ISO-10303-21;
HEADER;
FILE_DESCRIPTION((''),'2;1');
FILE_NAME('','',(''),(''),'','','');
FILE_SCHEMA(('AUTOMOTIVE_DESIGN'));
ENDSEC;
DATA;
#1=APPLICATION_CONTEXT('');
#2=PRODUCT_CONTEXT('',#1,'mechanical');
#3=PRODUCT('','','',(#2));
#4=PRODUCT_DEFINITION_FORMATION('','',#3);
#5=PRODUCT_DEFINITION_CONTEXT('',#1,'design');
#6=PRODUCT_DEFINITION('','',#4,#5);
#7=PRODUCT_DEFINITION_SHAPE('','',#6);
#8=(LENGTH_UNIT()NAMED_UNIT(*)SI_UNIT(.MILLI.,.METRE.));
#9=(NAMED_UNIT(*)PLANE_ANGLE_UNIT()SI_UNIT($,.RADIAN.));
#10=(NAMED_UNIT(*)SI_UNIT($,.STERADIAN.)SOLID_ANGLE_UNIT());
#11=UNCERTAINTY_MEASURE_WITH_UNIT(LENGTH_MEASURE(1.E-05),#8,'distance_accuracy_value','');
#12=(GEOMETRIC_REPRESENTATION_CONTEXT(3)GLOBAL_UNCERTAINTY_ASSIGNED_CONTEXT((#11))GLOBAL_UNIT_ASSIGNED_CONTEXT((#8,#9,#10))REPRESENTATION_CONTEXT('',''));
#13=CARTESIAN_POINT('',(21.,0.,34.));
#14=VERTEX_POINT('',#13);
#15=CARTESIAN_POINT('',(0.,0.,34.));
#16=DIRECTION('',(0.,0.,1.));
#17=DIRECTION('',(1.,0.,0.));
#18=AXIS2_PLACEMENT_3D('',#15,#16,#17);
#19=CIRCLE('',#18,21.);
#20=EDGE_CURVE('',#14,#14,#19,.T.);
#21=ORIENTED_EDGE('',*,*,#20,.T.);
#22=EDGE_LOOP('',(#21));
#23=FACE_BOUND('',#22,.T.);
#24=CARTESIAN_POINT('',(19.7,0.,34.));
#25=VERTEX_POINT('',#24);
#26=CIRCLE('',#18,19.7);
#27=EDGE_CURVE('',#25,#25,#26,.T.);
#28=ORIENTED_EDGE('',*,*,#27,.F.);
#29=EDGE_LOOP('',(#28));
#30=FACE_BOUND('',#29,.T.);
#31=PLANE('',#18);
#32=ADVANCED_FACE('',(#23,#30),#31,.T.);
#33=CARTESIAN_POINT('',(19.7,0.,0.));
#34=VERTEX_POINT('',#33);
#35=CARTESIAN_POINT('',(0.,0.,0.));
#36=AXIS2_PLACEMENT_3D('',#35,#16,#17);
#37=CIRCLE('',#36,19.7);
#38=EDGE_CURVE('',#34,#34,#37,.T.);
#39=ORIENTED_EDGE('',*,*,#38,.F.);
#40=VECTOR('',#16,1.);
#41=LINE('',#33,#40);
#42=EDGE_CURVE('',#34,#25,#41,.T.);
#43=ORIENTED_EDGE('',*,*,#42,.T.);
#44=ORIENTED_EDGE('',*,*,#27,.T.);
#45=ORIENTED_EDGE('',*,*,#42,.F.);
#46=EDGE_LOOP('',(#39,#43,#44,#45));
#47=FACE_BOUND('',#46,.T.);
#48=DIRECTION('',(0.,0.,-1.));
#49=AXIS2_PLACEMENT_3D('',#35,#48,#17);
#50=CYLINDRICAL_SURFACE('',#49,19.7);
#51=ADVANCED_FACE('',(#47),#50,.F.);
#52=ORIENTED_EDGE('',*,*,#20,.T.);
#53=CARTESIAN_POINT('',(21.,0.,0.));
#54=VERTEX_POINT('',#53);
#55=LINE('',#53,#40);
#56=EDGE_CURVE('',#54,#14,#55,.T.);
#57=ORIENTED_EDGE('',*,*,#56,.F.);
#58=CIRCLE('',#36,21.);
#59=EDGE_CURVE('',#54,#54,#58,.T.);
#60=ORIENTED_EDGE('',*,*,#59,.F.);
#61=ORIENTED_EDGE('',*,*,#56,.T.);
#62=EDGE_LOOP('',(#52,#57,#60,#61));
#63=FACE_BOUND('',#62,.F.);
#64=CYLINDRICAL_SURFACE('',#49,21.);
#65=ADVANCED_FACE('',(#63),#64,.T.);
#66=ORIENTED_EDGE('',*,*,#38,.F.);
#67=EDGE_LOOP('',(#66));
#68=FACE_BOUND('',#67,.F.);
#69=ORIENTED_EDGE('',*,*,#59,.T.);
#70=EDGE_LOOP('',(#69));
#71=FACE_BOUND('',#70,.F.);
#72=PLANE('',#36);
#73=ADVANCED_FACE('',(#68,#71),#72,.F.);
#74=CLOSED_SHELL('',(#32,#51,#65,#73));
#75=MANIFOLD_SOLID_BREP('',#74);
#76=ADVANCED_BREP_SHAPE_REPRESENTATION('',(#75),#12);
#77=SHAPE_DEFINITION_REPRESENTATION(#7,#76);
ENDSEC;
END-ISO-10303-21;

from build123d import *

# Parameters (mm, degrees)
CYLINDER001_R     = 19.7
CYLINDER001_DEPTH = 34
CYLINDER_R        = 21
CYLINDER_DEPTH    = 34


with BuildPart() as internal_cylinder:
    # Cylinder001 → Cylinder001 (new body)
    with BuildSketch(Plane.XY):
        Circle(CYLINDER001_R)
    extrude(amount=CYLINDER001_DEPTH)


with BuildPart() as umbrella_handle_protector:
    # Cylinder → Cylinder (new body)
    with BuildSketch(Plane.XY):
        Circle(CYLINDER_R)
    extrude(amount=CYLINDER_DEPTH)

    # Cut: cut internal cylinder
    add(internal_cylinder.part, mode=Mode.SUBTRACT)


solid = umbrella_handle_protector.part
